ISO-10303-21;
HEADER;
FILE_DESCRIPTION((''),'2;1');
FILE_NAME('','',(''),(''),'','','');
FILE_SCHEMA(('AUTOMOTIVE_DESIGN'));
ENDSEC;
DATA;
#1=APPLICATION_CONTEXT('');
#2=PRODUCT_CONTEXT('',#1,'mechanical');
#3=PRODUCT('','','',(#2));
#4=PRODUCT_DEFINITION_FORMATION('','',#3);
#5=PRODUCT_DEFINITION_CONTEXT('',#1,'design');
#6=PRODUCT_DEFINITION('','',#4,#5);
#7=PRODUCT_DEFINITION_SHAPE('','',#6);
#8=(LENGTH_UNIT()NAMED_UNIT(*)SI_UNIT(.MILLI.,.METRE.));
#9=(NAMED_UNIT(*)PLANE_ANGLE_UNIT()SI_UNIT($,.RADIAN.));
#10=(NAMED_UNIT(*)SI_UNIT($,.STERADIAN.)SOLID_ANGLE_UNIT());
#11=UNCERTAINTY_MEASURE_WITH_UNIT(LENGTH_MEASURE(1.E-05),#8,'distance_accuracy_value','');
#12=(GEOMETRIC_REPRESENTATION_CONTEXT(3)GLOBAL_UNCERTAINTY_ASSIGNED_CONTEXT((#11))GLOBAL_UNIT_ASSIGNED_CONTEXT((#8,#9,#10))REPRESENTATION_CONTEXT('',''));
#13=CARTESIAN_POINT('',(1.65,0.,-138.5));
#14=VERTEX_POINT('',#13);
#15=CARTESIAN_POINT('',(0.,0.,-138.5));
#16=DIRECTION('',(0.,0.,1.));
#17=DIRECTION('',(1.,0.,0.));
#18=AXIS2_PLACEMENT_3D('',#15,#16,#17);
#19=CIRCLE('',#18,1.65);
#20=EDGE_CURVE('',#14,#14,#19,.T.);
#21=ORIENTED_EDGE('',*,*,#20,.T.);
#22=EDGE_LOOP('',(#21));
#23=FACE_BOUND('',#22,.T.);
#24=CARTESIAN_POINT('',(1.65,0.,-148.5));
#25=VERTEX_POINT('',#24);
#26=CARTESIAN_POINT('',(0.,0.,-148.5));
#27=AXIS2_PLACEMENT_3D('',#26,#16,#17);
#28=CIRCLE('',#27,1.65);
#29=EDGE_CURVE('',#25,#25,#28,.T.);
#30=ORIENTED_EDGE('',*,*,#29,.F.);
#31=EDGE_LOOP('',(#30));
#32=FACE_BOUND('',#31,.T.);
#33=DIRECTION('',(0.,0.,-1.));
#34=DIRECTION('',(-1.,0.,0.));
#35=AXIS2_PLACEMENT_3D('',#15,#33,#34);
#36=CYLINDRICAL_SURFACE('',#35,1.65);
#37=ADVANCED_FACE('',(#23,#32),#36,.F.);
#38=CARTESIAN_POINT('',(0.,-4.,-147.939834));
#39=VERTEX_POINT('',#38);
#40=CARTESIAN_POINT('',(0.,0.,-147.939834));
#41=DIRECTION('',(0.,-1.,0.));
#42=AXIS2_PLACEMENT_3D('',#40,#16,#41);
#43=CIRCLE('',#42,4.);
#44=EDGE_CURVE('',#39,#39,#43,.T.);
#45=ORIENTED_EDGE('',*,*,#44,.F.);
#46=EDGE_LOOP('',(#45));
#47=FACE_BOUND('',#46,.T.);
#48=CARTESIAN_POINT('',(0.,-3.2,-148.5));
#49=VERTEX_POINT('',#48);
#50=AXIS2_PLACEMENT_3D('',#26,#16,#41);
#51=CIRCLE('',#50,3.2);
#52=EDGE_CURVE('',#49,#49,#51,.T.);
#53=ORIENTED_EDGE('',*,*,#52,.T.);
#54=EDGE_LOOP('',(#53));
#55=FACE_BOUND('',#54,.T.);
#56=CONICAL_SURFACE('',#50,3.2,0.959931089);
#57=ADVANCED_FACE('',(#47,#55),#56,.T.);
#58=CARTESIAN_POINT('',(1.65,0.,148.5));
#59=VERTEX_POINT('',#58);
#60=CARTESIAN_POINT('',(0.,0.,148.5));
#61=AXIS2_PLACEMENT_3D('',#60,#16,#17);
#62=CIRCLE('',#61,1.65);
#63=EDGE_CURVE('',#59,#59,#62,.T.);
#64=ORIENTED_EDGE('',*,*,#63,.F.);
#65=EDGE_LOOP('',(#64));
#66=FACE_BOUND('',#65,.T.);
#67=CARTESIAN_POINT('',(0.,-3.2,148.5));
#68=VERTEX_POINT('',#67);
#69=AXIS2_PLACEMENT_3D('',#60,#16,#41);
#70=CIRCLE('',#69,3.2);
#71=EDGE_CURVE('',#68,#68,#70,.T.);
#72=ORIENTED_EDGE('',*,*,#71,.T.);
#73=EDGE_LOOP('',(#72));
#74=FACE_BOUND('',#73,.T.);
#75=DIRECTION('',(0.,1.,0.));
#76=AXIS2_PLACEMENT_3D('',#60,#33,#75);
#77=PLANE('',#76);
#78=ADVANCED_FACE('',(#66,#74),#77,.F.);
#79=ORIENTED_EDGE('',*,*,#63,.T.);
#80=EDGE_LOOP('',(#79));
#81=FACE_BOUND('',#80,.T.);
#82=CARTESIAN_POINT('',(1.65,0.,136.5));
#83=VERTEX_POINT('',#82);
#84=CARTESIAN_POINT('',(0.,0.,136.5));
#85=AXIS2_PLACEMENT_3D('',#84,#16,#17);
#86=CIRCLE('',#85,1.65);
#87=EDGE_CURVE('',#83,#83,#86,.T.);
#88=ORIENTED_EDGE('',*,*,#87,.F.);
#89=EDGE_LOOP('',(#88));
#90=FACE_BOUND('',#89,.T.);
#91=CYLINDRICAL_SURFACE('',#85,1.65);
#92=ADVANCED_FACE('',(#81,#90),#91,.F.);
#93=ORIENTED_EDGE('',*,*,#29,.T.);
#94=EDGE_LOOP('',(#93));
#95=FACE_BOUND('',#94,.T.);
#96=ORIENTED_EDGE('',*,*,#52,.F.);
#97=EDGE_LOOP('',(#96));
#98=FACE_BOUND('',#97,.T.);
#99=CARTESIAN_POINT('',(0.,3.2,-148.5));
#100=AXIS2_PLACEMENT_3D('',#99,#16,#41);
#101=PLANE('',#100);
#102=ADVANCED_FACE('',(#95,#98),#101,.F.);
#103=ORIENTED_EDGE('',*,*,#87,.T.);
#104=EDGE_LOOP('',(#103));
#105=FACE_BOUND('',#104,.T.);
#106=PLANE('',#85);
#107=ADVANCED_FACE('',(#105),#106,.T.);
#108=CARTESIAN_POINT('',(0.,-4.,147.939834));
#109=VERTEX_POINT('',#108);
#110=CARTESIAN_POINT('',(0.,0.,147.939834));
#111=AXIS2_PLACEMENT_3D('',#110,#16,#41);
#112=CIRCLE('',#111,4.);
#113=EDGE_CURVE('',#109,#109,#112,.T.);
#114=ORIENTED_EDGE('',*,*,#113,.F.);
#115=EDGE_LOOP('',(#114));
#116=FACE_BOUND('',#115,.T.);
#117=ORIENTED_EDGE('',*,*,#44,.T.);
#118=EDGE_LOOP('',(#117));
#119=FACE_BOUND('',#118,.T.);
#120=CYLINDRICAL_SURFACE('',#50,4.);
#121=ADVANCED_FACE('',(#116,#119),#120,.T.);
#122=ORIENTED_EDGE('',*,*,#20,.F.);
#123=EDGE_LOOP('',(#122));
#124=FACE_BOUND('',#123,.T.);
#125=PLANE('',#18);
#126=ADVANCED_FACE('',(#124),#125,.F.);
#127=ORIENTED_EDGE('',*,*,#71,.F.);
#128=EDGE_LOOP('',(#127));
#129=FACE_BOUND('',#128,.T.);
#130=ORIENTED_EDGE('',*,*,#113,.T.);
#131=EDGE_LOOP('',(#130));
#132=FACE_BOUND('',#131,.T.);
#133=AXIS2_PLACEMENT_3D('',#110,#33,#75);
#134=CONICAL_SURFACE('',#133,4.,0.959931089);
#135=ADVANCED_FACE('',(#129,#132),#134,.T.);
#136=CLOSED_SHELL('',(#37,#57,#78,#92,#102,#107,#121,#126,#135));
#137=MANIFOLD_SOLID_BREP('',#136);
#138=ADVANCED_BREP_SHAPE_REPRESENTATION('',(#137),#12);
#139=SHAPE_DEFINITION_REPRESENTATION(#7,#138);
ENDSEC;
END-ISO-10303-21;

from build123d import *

# Parameters (mm, degrees)
SKETCH29_R         = 1.65
CUT_EXTRUDE1_DEPTH = 10
CUT_EXTRUDE2_START = -12
SKETCH30_R         = 1.65
CUT_EXTRUDE2_DEPTH = 12


with BuildPart() as part:
    # Sketch22 → Revolve1 (revolve)
    with BuildSketch(Plane(origin=(0, 0, 0), x_dir=(0, 0, -1), z_dir=(1, 0, 0))):
        Polygon((-148.5, 0), (-148.5, 3.2), (-147.939833969, 4), (147.939833969, 4), (148.5, 3.2), (148.5, 0), align=None)
    revolve(axis=Axis((0, 0, -148.5), (0, 0, -1)))

    # Sketch29 → Cut-Extrude1 (cut)
    with BuildSketch(Plane.XY.offset(-148.5)):
        Circle(SKETCH29_R)
    extrude(amount=CUT_EXTRUDE1_DEPTH, mode=Mode.SUBTRACT)

    # Sketch30 → Cut-Extrude2 (cut)
    with BuildSketch(Plane.XY.offset(148.5).offset(CUT_EXTRUDE2_START)):
        Circle(SKETCH30_R)
    extrude(amount=CUT_EXTRUDE2_DEPTH, mode=Mode.SUBTRACT)


solid = part.part
